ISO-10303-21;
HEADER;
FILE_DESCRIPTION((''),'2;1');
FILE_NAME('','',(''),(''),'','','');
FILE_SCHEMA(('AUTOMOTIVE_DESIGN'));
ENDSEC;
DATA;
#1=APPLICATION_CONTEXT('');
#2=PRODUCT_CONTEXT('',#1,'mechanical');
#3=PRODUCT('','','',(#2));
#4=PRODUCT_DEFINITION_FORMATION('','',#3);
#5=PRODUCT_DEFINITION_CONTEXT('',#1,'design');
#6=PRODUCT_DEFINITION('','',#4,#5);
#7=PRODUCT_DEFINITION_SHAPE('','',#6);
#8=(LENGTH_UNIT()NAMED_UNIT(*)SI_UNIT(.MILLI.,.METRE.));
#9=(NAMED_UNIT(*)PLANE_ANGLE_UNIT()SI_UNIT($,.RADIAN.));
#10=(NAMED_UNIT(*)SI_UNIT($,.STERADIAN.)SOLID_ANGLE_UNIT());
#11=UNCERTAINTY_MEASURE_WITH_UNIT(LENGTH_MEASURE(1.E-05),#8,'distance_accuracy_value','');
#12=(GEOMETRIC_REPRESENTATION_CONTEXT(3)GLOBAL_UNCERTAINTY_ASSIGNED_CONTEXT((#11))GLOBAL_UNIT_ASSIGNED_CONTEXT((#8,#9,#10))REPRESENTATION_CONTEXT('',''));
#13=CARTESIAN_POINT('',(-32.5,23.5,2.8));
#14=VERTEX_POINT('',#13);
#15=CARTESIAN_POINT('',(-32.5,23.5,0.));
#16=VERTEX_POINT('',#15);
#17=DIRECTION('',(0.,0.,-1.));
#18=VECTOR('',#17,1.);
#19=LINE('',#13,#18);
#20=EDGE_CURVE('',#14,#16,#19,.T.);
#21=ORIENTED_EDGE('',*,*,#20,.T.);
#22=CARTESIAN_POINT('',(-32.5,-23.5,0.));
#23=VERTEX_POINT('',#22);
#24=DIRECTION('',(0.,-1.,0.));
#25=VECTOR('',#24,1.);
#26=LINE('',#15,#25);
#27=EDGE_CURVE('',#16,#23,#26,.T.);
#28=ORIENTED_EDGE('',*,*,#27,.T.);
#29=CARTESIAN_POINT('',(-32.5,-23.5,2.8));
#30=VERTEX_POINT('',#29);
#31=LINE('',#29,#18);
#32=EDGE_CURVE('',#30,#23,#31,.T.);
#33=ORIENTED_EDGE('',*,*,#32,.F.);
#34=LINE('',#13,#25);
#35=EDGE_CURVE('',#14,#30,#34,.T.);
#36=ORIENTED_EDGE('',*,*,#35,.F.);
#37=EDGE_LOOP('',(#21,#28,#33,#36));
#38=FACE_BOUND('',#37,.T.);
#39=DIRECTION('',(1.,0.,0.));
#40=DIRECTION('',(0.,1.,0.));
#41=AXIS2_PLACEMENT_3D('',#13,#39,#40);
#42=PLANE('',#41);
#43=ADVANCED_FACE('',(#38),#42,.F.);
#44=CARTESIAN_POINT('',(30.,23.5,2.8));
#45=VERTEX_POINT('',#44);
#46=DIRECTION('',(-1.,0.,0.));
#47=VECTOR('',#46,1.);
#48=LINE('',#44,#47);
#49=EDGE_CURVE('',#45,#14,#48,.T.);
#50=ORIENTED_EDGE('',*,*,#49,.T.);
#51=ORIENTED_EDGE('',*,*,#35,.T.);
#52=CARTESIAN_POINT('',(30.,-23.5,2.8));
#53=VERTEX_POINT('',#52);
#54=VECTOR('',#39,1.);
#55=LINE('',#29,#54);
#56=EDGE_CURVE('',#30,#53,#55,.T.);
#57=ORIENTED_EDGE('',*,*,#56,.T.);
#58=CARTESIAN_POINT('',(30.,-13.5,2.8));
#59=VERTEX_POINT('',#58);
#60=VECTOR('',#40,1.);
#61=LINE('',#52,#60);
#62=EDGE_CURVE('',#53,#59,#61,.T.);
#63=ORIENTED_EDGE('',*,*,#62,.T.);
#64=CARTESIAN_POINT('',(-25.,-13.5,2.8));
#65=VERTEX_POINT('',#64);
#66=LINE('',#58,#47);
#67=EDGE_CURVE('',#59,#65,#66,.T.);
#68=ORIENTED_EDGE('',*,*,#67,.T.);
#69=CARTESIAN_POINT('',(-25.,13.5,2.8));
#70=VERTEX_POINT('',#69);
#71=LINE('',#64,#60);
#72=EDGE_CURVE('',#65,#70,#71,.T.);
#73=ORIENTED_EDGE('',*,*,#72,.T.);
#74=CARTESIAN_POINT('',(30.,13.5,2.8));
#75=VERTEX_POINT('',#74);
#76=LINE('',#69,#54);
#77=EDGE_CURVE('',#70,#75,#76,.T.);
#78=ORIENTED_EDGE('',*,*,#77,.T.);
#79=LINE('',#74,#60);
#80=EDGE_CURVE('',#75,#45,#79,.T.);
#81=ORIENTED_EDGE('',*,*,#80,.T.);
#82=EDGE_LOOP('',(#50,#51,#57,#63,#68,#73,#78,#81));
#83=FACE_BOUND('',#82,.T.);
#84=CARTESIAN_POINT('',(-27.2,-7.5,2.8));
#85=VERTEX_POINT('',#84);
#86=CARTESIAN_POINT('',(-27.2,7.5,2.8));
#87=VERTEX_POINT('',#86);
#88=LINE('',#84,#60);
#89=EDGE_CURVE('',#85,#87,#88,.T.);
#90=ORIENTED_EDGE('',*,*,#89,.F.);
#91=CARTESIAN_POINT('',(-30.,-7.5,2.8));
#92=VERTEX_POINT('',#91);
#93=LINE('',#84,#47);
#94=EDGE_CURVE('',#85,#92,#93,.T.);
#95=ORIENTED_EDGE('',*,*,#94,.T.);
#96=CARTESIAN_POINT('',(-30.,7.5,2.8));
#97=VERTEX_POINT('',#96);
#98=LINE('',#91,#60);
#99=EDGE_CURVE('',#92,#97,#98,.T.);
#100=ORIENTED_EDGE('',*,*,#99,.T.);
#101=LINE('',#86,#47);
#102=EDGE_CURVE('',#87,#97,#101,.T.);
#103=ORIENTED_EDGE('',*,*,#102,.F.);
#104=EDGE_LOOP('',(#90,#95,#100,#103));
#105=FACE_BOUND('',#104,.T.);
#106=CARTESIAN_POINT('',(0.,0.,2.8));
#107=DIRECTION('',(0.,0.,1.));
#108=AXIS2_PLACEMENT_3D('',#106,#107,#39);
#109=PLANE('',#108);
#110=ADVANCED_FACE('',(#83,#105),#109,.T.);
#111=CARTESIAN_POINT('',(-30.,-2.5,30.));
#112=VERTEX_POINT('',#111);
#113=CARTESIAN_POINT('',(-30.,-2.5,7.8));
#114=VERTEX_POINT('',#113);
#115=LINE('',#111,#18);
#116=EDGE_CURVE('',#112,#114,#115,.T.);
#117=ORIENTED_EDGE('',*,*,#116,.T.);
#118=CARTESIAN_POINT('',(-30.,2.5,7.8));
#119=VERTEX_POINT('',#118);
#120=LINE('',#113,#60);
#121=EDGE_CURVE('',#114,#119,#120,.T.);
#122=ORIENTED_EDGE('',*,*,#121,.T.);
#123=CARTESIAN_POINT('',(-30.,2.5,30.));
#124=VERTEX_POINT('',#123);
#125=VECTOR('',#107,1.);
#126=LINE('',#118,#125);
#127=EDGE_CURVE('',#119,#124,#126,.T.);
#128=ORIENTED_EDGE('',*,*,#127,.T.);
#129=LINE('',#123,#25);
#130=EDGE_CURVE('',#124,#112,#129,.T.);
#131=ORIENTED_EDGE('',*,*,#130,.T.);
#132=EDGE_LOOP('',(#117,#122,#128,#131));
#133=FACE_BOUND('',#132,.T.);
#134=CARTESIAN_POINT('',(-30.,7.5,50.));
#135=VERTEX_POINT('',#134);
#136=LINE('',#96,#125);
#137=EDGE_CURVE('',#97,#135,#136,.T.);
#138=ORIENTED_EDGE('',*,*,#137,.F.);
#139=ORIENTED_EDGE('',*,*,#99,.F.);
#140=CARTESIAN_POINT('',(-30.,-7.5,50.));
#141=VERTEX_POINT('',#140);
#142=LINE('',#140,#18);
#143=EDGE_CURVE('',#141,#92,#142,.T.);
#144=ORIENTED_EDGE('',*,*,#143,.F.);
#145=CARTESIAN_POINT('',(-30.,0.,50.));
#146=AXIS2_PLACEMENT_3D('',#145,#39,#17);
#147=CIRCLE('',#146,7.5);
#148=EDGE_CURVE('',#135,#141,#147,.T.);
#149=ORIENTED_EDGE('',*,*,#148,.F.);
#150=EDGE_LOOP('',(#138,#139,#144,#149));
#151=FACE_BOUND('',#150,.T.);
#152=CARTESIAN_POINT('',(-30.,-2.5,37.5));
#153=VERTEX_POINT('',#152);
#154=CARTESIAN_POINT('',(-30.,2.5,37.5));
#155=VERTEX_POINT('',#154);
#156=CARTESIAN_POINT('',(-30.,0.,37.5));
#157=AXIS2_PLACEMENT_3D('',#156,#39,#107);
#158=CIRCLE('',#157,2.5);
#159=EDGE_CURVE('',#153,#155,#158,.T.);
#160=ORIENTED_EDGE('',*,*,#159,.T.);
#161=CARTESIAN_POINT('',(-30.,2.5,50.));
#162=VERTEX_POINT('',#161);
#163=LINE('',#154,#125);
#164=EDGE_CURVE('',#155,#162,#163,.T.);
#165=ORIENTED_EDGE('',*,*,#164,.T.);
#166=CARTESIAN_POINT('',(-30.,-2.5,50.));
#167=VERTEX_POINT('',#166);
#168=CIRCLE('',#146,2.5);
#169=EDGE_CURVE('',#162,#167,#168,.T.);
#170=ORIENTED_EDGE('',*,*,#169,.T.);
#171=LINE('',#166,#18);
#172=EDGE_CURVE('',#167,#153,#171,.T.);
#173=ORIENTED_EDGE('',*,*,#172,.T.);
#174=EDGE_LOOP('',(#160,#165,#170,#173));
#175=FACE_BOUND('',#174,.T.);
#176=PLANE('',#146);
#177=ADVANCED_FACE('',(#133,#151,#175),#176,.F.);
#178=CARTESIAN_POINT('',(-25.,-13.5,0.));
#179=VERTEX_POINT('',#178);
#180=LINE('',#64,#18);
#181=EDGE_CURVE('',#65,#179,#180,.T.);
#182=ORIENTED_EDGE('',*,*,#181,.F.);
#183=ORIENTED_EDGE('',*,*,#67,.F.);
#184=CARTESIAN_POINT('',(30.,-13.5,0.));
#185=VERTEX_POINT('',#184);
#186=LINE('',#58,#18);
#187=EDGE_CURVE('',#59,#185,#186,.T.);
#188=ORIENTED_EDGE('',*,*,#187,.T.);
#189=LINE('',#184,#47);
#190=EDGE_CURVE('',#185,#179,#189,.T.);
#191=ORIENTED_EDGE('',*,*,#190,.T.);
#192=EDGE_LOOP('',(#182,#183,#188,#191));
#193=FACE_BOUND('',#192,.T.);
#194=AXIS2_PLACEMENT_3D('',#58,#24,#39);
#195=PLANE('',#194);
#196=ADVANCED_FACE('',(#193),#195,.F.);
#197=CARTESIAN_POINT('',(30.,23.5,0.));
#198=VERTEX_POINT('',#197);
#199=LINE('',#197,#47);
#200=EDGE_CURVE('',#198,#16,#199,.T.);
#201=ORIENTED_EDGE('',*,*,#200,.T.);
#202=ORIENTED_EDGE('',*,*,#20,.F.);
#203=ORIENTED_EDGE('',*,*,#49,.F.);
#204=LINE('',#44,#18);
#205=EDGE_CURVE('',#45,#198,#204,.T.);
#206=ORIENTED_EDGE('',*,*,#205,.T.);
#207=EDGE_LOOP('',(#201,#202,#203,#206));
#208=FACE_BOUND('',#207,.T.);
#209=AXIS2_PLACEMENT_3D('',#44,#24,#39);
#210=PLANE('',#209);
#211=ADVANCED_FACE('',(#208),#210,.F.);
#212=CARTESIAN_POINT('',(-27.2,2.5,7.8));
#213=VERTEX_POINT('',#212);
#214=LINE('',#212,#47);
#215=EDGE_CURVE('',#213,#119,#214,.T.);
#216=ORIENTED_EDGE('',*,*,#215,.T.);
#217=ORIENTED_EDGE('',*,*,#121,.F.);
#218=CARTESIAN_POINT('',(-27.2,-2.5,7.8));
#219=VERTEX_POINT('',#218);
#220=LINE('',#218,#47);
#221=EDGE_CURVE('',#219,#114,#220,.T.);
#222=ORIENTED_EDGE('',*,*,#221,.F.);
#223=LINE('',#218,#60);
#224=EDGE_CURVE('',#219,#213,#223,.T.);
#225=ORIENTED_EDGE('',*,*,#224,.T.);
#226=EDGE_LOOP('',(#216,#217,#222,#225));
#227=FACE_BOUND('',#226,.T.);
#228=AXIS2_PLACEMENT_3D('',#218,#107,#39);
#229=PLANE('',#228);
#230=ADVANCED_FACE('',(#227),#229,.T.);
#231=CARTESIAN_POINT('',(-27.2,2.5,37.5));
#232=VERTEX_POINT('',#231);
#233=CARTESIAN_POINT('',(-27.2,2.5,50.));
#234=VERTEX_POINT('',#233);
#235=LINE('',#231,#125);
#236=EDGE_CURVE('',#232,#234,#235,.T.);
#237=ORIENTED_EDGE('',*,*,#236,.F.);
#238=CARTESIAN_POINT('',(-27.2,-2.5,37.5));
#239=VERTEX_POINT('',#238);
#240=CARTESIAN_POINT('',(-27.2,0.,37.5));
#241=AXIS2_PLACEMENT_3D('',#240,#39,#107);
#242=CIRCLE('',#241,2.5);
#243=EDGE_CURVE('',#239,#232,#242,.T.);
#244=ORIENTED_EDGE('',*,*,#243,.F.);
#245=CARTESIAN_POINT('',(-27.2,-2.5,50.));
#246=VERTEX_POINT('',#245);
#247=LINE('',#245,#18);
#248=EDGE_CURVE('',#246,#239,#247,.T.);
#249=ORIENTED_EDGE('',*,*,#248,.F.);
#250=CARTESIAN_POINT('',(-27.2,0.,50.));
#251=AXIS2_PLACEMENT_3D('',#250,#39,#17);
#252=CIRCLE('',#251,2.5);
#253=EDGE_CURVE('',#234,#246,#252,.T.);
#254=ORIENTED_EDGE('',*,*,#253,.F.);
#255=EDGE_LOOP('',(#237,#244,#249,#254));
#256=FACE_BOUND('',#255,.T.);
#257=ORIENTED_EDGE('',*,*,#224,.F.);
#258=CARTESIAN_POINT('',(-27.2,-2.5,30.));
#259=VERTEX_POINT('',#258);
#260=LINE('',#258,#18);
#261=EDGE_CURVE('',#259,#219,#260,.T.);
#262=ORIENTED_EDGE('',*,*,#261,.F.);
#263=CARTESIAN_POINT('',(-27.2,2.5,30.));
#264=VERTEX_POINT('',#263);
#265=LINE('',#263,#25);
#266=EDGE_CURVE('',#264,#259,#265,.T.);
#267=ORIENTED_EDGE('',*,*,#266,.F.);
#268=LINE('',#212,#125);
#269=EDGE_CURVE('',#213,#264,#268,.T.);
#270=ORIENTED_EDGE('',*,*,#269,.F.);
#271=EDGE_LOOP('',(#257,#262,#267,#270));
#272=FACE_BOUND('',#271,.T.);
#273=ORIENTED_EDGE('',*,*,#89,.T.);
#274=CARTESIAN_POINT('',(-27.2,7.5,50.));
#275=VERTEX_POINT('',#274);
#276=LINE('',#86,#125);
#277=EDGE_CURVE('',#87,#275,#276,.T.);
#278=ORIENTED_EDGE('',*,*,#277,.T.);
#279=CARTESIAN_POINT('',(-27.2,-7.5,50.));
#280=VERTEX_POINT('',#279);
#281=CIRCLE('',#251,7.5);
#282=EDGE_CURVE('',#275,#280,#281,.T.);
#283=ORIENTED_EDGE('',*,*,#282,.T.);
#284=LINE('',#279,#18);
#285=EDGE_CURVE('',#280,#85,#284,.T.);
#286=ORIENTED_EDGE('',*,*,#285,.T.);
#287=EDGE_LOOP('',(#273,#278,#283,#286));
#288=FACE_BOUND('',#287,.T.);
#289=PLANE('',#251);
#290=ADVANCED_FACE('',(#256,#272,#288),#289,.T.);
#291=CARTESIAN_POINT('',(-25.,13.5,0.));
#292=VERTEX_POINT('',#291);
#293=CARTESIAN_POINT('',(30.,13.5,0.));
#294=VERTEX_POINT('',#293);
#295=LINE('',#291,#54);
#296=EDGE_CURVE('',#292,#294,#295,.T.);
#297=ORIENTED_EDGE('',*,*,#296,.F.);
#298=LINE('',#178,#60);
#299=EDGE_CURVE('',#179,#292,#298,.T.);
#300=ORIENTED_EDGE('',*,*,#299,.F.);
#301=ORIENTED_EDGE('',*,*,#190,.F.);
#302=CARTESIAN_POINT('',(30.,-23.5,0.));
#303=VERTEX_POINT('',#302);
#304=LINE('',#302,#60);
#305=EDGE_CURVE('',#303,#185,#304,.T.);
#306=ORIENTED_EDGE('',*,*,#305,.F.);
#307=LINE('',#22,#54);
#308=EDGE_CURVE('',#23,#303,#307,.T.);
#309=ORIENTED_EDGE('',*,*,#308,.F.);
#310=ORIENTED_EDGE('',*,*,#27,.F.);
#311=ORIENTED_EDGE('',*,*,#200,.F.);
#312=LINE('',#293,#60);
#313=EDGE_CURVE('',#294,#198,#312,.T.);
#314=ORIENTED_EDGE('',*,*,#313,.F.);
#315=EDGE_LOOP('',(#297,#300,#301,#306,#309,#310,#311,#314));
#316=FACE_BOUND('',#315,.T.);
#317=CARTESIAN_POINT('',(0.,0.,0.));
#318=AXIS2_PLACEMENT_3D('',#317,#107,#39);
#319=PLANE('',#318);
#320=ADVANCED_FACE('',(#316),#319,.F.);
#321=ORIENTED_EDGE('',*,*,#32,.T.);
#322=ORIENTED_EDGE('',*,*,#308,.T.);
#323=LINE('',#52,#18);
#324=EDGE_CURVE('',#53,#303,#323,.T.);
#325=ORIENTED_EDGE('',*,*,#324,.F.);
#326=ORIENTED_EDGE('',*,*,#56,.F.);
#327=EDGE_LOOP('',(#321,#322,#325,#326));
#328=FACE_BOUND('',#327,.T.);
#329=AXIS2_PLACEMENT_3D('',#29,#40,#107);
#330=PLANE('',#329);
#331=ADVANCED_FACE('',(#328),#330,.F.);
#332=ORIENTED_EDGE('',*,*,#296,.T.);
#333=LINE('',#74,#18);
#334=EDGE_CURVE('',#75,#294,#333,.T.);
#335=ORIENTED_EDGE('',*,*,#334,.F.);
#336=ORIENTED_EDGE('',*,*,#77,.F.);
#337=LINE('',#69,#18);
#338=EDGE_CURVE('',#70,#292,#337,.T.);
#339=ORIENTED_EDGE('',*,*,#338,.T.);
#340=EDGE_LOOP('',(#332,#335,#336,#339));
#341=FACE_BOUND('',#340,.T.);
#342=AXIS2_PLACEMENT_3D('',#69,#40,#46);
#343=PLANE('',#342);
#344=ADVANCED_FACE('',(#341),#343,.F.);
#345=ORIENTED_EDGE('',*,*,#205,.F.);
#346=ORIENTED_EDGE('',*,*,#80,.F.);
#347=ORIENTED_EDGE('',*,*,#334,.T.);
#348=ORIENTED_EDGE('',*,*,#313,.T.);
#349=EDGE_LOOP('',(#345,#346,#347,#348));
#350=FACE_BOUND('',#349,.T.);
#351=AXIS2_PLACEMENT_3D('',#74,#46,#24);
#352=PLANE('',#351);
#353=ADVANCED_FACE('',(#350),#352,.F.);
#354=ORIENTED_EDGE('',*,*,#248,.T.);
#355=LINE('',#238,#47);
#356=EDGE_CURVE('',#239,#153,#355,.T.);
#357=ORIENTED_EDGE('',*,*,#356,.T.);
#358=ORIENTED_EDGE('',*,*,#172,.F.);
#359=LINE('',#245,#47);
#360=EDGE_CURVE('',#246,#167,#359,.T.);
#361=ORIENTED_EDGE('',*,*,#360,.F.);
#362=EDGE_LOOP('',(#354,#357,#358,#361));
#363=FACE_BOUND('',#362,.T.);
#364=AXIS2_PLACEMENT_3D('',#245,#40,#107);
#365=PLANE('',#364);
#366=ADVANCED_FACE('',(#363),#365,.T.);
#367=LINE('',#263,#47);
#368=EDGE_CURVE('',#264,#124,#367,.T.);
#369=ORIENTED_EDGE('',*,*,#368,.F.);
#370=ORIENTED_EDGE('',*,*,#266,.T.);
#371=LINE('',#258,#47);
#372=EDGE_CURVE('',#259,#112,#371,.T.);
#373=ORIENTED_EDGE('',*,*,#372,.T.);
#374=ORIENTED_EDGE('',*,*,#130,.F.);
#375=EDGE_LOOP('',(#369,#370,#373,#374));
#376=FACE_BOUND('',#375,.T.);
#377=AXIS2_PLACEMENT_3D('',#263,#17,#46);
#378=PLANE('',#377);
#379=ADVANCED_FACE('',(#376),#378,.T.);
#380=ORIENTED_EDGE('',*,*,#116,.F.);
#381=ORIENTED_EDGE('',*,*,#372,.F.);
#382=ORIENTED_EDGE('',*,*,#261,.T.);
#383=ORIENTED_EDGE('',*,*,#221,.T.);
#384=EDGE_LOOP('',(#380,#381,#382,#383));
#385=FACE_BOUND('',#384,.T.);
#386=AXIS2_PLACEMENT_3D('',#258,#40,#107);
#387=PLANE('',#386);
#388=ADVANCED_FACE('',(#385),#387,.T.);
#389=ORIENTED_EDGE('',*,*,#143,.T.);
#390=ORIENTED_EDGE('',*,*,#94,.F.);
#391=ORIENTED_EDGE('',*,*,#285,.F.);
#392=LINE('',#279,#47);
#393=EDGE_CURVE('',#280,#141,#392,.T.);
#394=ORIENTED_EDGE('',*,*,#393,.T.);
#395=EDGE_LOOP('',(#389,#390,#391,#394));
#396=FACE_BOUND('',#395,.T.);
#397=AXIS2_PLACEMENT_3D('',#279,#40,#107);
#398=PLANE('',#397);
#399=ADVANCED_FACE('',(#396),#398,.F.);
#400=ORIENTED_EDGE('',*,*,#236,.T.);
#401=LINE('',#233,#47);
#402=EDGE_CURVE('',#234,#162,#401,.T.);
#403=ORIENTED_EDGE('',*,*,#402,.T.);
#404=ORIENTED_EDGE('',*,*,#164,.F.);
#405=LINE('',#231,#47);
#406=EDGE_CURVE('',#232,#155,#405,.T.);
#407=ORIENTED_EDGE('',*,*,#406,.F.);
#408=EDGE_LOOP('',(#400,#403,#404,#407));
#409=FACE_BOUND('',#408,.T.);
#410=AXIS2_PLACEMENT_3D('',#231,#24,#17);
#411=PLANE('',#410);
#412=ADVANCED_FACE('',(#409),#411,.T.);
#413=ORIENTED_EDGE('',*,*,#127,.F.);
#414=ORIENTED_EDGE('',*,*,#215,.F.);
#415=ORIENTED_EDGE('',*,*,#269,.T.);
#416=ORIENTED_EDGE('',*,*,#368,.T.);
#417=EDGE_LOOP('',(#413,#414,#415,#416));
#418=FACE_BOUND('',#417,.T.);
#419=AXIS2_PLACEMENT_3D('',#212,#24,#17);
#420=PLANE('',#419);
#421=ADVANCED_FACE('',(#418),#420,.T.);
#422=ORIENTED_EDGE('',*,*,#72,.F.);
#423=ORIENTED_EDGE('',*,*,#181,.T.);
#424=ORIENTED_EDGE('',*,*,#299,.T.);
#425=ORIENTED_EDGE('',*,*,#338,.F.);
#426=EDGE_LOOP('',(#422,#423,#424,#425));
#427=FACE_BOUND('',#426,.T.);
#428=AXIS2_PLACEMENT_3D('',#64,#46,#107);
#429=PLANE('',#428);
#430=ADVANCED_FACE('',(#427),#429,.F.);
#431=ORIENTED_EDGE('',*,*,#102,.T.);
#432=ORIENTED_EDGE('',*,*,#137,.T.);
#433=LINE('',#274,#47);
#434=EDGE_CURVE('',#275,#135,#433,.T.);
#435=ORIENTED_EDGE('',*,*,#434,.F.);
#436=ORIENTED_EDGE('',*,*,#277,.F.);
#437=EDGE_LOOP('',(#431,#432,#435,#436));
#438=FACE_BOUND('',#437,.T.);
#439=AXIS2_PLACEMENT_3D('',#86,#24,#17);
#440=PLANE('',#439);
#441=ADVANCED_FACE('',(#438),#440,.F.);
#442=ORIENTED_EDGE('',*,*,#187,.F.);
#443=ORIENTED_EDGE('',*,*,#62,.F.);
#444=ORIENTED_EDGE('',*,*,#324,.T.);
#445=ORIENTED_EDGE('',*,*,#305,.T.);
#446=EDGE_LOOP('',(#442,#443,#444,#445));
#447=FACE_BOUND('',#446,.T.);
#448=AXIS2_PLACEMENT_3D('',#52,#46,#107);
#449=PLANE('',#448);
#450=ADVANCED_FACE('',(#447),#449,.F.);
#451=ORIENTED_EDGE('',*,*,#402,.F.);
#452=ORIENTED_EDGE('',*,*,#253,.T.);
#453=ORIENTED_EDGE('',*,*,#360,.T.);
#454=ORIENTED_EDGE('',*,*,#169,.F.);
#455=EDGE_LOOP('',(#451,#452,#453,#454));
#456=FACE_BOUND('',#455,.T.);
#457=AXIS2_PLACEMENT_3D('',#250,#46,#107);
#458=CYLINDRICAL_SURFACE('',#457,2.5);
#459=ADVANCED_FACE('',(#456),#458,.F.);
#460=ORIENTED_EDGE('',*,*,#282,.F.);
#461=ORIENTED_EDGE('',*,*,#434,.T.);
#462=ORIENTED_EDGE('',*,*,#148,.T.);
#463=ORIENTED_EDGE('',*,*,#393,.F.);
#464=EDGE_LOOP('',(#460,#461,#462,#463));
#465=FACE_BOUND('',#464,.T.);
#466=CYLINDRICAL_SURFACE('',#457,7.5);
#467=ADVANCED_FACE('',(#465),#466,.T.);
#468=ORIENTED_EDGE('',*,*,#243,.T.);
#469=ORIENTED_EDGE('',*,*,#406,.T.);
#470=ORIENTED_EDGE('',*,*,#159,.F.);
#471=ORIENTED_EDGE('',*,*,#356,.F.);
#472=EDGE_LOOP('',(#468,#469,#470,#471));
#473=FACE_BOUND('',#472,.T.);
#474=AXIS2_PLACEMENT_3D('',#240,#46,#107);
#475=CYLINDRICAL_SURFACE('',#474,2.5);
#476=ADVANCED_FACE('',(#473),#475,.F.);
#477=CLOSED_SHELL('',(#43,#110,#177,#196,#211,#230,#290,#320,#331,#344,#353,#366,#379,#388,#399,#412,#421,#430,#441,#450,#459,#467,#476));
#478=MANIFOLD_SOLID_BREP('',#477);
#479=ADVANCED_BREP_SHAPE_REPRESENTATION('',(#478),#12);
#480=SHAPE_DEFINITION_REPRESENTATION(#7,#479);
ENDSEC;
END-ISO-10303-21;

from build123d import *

# Parameters (mm, degrees)
BOSS_EXTRUDE1_DEPTH = 2.8
SKETCH2_W           = 22.2
SKETCH2_H           = 5
BOSS_EXTRUDE2_DEPTH = 2.8


with BuildPart() as part:
    # Sketch1 → Boss-Extrude1 (new body)
    with BuildSketch(Plane.XY):
        Polygon((30, 13.5), (30, 23.5), (-32.5, 23.5), (-32.5, -23.5), (30, -23.5), (30, -13.5), (-25, -13.5), (-25, 13.5), align=None)
    extrude(amount=BOSS_EXTRUDE1_DEPTH)

    # Sketch2 → Boss-Extrude2 (add)
    with BuildSketch(Plane(origin=(-30, 0, 0), x_dir=(0, 0, -1), z_dir=(1, 0, 0))):
        with BuildLine():
            Line((-2.8, -7.5), (-2.8, 7.5))
            Line((-2.8, 7.5), (-50, 7.5))
            ThreePointArc((-50, 7.5), (-57.5, 0), (-50, -7.5))
            Line((-50, -7.5), (-2.8, -7.5))
        make_face()
        with BuildLine():
            Line((-50, -2.5), (-37.5, -2.5))
            ThreePointArc((-37.5, -2.5), (-35, 0), (-37.5, 2.5))
            Line((-37.5, 2.5), (-50, 2.5))
            ThreePointArc((-50, 2.5), (-52.5, 0), (-50, -2.5))
        make_face(mode=Mode.SUBTRACT)
        with Locations((-18.9, 0)):
            Rectangle(SKETCH2_W, SKETCH2_H, mode=Mode.SUBTRACT)
    extrude(amount=BOSS_EXTRUDE2_DEPTH)


solid = part.part
